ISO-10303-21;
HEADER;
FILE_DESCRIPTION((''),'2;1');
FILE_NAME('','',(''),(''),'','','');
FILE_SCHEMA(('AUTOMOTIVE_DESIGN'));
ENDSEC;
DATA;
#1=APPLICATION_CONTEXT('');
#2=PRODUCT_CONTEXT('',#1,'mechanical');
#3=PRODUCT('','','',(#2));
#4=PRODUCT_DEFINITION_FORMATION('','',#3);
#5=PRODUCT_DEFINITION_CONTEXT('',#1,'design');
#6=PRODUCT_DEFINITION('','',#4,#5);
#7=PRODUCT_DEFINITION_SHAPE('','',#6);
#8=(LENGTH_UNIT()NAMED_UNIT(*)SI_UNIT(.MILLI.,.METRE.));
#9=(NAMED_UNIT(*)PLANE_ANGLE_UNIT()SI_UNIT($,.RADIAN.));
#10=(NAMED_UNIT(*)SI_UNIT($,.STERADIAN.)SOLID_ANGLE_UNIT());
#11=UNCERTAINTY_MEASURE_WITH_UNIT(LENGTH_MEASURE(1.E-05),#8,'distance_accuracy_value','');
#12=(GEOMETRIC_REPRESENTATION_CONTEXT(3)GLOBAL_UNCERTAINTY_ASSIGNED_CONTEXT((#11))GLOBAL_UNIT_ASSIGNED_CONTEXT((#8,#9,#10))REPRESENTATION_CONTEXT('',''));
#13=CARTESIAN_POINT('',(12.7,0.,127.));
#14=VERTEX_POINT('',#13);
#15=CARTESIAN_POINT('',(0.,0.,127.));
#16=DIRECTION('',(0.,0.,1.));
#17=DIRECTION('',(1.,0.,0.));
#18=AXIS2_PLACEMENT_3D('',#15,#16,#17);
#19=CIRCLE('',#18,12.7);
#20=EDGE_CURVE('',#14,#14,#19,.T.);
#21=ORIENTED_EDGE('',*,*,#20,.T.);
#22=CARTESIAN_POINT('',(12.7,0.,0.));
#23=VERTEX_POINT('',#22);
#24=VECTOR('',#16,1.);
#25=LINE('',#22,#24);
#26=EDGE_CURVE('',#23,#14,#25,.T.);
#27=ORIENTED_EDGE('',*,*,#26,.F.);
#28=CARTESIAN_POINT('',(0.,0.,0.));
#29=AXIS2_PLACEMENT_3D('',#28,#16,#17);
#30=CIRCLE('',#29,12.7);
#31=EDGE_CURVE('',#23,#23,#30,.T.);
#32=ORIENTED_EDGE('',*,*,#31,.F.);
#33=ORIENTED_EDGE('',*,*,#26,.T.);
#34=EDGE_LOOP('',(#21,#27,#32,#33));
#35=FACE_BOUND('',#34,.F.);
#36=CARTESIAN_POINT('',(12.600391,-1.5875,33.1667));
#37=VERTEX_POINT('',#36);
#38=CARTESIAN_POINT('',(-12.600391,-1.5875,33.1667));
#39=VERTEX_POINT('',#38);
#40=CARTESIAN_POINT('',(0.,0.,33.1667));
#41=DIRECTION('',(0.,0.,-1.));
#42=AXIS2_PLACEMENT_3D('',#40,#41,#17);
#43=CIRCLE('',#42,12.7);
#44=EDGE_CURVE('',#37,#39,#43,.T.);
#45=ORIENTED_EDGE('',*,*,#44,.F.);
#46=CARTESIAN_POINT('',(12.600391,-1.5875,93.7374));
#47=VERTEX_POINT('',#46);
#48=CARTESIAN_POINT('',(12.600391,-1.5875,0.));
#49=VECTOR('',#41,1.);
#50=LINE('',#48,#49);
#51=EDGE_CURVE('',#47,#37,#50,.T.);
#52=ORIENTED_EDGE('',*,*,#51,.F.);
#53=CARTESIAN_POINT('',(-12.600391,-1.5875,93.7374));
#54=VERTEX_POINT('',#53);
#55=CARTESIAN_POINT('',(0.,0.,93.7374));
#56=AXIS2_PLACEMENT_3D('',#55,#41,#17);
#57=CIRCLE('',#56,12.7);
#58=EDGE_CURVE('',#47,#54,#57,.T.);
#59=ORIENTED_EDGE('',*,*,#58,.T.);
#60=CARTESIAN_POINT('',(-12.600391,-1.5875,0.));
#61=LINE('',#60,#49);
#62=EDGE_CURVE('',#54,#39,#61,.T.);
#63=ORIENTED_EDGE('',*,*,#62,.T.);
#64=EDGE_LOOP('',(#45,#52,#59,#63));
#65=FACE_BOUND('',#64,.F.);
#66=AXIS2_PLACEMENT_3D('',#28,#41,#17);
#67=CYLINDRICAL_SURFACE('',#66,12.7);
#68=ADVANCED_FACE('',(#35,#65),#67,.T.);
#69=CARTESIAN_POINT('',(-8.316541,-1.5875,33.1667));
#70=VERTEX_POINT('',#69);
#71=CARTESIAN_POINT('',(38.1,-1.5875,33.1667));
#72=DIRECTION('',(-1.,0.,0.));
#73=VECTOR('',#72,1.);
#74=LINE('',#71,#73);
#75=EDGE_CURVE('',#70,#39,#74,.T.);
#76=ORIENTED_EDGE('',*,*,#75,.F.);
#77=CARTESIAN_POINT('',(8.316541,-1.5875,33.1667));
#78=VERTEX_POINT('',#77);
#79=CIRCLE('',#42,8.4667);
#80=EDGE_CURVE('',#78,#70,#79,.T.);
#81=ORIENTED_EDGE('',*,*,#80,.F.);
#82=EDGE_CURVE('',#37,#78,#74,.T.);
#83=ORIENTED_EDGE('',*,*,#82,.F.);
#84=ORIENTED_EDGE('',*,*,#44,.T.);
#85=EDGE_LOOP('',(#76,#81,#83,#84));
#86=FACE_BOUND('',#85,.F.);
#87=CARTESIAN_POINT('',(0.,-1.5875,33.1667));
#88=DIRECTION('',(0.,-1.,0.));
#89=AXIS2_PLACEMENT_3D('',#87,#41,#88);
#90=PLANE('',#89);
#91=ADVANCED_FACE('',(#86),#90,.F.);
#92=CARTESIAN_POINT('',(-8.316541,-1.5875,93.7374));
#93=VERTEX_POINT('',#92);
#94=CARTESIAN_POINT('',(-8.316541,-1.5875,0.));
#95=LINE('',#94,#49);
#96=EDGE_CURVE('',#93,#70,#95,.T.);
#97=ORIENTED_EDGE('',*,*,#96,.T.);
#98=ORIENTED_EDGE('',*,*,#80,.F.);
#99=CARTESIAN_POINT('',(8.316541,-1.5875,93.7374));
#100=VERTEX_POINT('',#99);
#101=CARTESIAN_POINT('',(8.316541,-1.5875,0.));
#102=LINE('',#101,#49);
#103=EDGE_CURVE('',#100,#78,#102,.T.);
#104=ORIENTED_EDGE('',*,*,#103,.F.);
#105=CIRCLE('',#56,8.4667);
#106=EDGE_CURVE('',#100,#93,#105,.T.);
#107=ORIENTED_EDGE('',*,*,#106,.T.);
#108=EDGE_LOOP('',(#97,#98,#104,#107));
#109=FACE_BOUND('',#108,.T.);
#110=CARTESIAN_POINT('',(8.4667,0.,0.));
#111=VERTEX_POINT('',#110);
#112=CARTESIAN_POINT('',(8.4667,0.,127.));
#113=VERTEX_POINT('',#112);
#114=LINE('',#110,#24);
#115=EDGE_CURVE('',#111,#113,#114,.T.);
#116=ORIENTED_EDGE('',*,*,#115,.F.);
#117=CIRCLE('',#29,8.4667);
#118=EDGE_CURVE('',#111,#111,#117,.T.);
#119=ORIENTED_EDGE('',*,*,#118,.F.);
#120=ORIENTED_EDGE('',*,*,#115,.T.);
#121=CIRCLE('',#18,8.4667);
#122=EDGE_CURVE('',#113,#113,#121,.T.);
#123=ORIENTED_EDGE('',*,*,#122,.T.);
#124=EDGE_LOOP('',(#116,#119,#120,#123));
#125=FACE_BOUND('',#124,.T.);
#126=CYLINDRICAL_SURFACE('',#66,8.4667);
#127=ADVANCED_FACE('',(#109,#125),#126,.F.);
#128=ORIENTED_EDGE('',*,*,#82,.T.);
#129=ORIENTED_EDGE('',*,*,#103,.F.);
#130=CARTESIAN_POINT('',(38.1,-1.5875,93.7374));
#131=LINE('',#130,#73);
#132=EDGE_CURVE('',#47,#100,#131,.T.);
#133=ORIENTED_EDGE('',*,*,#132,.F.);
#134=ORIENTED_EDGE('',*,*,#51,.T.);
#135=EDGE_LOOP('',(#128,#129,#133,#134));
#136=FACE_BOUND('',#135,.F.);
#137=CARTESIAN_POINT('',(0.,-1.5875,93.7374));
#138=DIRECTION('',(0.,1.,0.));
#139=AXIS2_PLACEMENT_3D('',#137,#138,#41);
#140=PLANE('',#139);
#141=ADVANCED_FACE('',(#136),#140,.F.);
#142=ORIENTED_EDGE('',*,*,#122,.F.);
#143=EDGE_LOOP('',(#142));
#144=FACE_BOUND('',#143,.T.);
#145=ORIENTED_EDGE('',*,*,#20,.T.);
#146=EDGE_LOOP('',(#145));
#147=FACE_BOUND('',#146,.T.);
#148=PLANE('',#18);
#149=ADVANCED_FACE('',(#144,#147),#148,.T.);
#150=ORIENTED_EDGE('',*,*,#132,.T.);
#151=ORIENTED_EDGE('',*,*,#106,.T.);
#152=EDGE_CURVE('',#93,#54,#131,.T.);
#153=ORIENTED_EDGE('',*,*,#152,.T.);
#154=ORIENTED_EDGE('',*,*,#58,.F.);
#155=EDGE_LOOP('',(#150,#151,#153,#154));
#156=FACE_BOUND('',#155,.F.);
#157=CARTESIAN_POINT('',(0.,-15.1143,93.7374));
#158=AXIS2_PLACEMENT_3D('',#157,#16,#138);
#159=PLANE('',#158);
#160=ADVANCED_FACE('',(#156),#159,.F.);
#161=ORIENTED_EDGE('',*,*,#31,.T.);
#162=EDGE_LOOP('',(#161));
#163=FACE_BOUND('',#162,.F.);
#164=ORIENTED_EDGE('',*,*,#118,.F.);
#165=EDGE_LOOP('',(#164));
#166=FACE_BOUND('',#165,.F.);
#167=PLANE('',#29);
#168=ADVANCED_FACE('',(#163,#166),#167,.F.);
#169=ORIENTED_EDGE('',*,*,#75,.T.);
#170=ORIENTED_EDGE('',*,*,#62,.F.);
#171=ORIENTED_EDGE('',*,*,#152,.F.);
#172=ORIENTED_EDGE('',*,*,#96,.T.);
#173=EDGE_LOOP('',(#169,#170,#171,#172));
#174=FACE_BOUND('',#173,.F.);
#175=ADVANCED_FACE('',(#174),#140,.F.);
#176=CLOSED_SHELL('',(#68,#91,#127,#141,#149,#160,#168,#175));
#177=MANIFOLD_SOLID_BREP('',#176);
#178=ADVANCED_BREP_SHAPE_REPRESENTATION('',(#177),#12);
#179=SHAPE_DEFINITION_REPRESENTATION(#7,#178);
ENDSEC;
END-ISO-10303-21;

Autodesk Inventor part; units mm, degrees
ref_plane "YZ Plane" through (0, 0, 0) normal (1, 0, 0) x (0, 1, 0)
ref_plane "XZ Plane" through (0, 0, 0) normal (0, 1, 0) x (-1, 0, 0)
ref_plane "XY Plane" through (0, 0, 0) normal (0, 0, 1) x (1, 0, 0)
sketch "Sketch1" plane through (0, 0, 0) normal (0, 0, 1) x (1, 0, 0)
  circle A0 centre (0, 0) radius 8.4667
  circle A1 centre (0, 0) radius 12.7
  dimension "d4" = 25.4
extrude "Extrusion1" add sketch "Sketch1" along normal blind 127
sketch "Sketch2" plane through (0, 0, 0) normal (1, 0, 0) x (0, 1, 0)
  line L0 (-15.1143, 93.7374) -> (-1.5875, 93.7374)
  line L1 (-1.5875, 93.7374) -> (-1.5875, 33.1667)
  line L2 (-1.5875, 33.1667) -> (-15.1143, 33.1667)
  line L3 (-15.1143, 33.1667) -> (-15.1143, 93.7374)
  point P0 (0, 0)
extrude "Extrusion2" cut sketch "Sketch2" along normal mid plane 76.2
properties part number "WireCounterPiece2"
